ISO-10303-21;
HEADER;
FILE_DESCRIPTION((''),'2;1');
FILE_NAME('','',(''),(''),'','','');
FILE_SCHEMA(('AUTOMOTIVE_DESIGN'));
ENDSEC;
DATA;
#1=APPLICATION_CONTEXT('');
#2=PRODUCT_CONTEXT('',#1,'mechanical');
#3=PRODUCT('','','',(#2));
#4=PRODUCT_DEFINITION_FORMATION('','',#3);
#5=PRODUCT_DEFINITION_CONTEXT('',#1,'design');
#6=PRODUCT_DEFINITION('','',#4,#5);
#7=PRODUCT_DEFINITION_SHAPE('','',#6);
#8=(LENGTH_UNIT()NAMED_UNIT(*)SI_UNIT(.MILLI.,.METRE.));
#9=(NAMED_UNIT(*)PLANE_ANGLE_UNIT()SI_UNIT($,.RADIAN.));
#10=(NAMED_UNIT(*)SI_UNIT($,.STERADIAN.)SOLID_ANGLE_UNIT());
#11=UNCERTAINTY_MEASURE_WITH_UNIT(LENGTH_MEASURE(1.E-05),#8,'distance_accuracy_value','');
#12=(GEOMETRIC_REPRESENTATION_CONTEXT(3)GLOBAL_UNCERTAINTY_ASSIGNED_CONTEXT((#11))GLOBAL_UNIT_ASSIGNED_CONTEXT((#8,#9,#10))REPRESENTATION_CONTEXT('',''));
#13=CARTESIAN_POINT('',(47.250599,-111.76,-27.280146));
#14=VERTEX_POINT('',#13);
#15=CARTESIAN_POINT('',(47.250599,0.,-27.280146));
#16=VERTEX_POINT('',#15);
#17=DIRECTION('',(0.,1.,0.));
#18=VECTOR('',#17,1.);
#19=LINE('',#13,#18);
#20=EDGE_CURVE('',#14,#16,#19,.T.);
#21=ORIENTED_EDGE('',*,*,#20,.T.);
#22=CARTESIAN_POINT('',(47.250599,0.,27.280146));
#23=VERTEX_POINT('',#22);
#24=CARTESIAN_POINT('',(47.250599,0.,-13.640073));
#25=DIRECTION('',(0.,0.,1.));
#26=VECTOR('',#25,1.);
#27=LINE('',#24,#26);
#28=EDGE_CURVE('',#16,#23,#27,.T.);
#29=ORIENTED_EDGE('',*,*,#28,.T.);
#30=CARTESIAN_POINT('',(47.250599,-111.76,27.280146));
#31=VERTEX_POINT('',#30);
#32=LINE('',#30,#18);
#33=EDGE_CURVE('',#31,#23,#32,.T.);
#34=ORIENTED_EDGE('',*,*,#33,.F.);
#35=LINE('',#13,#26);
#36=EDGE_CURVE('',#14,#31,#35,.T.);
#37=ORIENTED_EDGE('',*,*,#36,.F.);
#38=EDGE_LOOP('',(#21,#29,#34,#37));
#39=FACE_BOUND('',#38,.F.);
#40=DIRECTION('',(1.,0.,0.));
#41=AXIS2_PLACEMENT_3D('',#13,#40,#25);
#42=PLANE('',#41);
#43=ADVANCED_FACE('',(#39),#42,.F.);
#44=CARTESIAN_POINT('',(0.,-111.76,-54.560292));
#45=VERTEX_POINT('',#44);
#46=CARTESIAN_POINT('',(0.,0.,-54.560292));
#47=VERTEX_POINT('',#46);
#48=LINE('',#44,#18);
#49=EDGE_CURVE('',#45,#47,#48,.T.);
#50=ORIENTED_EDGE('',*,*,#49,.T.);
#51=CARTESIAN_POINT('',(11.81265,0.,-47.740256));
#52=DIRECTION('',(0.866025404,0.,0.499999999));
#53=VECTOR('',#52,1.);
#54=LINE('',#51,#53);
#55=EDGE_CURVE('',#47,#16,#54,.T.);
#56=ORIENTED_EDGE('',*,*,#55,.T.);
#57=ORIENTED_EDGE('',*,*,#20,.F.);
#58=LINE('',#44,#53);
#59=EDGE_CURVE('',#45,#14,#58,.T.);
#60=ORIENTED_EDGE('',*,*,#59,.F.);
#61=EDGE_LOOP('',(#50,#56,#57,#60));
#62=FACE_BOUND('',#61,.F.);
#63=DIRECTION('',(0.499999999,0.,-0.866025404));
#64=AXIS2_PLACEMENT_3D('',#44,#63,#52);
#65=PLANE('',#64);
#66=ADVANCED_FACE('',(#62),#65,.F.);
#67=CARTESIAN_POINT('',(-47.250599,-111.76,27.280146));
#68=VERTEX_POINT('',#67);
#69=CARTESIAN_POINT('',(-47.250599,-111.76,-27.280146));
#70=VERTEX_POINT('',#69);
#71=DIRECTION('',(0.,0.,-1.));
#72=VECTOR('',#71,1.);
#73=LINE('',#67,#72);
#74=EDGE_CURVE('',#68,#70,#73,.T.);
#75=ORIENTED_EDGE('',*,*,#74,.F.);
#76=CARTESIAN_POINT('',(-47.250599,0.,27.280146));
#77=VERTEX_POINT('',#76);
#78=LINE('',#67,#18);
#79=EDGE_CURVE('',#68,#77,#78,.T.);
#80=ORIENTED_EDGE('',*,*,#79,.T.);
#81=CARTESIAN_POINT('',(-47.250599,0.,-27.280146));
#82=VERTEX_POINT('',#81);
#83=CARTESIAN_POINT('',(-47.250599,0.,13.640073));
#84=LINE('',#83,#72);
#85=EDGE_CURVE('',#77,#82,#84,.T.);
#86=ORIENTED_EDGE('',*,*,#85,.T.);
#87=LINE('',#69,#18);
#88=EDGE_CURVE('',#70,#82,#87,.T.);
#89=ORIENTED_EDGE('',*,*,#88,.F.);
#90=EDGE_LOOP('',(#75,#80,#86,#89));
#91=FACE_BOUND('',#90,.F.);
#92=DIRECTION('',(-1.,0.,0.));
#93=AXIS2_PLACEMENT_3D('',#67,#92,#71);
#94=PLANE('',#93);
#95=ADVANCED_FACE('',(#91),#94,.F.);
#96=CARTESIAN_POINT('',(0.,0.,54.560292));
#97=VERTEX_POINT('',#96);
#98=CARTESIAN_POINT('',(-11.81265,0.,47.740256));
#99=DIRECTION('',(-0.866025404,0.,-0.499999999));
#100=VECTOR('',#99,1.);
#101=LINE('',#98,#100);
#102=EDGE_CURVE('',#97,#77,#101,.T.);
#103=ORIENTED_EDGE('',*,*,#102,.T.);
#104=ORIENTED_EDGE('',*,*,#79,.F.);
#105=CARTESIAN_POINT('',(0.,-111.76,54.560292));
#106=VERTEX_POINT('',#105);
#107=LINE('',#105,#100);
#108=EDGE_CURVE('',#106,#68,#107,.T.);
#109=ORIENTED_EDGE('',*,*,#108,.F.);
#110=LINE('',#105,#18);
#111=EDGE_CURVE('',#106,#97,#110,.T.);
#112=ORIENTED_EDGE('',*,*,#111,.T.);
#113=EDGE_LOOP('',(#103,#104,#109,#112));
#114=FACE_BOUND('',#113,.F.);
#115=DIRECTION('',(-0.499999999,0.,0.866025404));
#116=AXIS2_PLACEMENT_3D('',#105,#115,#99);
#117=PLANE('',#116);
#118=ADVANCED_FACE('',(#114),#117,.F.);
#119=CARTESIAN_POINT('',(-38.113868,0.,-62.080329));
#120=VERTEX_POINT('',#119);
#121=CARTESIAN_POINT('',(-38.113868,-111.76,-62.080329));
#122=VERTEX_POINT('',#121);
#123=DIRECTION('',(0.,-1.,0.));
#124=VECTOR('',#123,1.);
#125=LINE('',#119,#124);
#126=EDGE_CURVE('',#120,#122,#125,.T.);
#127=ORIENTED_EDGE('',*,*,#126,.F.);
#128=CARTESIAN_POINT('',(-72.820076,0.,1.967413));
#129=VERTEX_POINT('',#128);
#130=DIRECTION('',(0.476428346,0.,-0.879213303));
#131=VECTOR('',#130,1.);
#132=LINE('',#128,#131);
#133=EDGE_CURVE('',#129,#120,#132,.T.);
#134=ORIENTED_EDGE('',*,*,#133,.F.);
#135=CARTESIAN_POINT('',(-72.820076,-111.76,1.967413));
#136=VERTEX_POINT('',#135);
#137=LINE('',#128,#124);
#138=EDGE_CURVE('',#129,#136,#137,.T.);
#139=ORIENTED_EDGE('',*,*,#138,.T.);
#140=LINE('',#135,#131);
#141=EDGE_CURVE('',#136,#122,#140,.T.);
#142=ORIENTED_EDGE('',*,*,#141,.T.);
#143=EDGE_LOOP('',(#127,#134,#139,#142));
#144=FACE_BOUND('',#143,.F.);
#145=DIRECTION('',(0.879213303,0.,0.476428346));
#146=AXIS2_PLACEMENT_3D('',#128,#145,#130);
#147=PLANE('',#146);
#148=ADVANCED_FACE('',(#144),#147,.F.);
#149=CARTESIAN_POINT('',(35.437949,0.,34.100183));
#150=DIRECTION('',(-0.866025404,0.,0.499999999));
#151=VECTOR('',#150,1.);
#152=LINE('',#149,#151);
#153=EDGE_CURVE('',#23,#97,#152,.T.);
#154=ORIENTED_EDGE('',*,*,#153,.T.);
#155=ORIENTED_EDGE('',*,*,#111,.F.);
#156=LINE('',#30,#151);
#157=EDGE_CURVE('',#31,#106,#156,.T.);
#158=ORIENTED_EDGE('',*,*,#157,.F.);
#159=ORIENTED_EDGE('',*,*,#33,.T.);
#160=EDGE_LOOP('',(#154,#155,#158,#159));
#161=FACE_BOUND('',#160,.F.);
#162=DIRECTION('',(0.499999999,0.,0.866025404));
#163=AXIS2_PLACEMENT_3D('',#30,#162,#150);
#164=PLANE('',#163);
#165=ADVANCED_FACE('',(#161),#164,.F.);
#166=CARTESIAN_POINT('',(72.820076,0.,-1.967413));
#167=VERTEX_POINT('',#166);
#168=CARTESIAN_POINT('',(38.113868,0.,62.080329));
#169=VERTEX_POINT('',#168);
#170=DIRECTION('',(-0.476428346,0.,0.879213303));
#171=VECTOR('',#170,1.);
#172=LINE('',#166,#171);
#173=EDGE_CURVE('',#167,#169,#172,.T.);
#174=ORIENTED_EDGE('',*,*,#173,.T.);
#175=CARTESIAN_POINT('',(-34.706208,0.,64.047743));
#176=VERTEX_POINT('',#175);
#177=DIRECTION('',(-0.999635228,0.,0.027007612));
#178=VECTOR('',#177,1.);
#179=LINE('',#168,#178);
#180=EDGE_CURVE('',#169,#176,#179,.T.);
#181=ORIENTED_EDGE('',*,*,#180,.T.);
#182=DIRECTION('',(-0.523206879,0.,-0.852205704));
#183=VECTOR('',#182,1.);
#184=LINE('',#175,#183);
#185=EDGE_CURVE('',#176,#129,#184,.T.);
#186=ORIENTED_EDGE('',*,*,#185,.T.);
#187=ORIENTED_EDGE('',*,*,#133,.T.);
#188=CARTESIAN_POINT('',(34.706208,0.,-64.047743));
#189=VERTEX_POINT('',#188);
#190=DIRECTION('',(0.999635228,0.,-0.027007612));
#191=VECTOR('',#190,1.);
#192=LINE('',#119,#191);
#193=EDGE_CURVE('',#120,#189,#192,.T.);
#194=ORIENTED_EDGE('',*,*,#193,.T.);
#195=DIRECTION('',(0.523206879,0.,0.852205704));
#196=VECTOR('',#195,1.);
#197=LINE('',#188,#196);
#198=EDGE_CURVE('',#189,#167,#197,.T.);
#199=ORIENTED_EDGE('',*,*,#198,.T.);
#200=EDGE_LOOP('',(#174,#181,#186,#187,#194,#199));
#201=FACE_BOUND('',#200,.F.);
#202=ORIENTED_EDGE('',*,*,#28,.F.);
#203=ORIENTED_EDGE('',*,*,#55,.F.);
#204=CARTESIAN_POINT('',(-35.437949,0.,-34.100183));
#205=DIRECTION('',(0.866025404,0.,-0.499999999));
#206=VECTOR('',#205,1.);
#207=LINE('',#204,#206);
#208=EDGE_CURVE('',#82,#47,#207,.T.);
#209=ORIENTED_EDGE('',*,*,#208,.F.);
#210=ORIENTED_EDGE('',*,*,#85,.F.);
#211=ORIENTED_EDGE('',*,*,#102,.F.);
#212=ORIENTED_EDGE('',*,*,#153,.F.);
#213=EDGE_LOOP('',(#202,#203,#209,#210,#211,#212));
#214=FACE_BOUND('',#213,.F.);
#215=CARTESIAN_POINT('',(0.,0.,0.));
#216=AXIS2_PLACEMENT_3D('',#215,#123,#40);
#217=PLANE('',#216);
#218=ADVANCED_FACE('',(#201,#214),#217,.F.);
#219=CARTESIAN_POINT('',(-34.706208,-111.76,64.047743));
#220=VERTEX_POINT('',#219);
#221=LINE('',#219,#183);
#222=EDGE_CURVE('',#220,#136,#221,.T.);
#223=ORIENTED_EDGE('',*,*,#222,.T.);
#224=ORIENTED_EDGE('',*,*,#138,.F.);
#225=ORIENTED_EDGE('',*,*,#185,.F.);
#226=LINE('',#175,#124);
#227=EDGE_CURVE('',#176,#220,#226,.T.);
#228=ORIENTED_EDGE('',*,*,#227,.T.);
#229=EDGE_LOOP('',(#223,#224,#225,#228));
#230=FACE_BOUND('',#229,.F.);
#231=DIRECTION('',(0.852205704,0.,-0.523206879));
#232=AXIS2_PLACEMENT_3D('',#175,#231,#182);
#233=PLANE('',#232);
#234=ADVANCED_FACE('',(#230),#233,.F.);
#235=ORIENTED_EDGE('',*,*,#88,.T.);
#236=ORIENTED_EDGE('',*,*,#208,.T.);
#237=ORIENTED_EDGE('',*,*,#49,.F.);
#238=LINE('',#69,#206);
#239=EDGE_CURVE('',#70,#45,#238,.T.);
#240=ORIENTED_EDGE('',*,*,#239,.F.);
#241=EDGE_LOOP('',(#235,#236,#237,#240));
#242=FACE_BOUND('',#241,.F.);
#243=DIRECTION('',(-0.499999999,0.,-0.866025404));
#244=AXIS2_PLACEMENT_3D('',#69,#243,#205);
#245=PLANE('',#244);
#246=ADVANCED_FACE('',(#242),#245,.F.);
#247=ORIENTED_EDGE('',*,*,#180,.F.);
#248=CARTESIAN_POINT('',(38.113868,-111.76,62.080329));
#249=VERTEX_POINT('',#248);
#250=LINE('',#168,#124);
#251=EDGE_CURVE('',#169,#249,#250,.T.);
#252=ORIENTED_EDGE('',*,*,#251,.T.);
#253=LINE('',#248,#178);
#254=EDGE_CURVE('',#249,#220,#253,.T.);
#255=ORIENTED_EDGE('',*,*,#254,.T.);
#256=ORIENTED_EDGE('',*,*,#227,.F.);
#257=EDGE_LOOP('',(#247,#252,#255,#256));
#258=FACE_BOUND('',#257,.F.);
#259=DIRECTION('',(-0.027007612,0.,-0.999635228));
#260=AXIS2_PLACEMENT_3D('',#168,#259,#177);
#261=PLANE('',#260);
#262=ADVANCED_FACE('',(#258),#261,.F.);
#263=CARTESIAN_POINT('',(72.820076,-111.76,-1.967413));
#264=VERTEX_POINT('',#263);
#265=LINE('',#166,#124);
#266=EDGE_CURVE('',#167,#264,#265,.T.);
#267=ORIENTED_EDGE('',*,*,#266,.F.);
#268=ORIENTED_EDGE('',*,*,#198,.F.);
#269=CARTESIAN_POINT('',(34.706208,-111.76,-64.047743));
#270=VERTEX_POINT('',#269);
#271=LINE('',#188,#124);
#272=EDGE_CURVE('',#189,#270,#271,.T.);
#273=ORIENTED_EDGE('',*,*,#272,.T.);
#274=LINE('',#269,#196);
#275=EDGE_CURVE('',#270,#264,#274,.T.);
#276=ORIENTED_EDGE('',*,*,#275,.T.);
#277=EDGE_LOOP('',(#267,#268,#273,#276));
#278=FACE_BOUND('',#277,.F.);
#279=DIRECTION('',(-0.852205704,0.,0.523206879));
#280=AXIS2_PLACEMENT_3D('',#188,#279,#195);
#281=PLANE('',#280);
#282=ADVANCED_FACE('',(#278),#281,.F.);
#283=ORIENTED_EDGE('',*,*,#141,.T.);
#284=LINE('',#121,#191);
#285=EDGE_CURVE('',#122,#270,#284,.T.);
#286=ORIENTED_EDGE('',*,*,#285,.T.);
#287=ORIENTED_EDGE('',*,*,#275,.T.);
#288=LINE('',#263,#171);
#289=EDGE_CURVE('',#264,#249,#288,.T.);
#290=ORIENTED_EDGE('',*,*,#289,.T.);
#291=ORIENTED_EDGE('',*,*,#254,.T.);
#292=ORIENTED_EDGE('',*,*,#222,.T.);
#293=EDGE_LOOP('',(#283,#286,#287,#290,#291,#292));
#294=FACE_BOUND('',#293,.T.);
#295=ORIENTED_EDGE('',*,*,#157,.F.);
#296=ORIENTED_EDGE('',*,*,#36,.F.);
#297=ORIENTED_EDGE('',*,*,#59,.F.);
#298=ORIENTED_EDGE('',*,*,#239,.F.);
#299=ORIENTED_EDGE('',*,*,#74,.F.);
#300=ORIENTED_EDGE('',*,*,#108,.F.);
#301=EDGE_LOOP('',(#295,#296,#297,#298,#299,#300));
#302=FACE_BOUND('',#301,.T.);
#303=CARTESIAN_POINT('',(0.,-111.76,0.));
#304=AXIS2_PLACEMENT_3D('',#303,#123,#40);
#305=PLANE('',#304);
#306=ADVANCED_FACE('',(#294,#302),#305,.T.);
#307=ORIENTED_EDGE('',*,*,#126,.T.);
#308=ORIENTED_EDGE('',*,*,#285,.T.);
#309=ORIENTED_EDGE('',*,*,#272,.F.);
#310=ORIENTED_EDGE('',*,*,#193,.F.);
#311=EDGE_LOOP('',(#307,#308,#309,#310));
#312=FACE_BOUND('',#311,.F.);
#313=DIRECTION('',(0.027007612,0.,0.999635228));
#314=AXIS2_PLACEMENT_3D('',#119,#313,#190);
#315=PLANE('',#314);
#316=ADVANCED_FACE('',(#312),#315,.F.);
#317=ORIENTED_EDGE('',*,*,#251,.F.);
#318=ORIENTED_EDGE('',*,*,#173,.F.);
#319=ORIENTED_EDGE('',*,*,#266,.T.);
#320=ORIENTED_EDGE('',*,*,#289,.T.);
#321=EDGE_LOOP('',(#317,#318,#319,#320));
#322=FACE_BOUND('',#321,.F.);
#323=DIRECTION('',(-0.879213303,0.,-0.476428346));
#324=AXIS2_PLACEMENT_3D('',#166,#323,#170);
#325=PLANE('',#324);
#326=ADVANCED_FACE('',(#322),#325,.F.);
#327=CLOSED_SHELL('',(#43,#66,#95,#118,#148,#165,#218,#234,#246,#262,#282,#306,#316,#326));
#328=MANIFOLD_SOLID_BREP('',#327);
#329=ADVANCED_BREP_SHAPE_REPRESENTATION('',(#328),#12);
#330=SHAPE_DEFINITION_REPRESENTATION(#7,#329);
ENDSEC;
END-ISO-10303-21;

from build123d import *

# Parameters (mm, degrees)
F1_DEPTH = 111.76
F4_DEPTH = 198.374


with BuildPart() as f1:
    # F0 (on Front) → F1 (new body)
    with BuildSketch(Plane.XZ):
        Polygon((72.820076, -1.967413), (38.113868, 62.080329), (-34.706208, 64.047743), (-72.820076, 1.967413), (-38.113868, -62.080329), (34.706208, -64.047743), align=None)
    extrude(amount=F1_DEPTH)

    # F3 (on face) → F4 (cut)
    with BuildSketch(Plane.XZ.offset(111.76)):
        Polygon((47.250599, -27.280146), (47.250599, 27.280146), (0, 54.560292), (-47.250599, 27.280146), (-47.250599, -27.280146), (0, -54.560292), align=None)
    extrude(amount=-F4_DEPTH, mode=Mode.SUBTRACT)


solid = f1.part
